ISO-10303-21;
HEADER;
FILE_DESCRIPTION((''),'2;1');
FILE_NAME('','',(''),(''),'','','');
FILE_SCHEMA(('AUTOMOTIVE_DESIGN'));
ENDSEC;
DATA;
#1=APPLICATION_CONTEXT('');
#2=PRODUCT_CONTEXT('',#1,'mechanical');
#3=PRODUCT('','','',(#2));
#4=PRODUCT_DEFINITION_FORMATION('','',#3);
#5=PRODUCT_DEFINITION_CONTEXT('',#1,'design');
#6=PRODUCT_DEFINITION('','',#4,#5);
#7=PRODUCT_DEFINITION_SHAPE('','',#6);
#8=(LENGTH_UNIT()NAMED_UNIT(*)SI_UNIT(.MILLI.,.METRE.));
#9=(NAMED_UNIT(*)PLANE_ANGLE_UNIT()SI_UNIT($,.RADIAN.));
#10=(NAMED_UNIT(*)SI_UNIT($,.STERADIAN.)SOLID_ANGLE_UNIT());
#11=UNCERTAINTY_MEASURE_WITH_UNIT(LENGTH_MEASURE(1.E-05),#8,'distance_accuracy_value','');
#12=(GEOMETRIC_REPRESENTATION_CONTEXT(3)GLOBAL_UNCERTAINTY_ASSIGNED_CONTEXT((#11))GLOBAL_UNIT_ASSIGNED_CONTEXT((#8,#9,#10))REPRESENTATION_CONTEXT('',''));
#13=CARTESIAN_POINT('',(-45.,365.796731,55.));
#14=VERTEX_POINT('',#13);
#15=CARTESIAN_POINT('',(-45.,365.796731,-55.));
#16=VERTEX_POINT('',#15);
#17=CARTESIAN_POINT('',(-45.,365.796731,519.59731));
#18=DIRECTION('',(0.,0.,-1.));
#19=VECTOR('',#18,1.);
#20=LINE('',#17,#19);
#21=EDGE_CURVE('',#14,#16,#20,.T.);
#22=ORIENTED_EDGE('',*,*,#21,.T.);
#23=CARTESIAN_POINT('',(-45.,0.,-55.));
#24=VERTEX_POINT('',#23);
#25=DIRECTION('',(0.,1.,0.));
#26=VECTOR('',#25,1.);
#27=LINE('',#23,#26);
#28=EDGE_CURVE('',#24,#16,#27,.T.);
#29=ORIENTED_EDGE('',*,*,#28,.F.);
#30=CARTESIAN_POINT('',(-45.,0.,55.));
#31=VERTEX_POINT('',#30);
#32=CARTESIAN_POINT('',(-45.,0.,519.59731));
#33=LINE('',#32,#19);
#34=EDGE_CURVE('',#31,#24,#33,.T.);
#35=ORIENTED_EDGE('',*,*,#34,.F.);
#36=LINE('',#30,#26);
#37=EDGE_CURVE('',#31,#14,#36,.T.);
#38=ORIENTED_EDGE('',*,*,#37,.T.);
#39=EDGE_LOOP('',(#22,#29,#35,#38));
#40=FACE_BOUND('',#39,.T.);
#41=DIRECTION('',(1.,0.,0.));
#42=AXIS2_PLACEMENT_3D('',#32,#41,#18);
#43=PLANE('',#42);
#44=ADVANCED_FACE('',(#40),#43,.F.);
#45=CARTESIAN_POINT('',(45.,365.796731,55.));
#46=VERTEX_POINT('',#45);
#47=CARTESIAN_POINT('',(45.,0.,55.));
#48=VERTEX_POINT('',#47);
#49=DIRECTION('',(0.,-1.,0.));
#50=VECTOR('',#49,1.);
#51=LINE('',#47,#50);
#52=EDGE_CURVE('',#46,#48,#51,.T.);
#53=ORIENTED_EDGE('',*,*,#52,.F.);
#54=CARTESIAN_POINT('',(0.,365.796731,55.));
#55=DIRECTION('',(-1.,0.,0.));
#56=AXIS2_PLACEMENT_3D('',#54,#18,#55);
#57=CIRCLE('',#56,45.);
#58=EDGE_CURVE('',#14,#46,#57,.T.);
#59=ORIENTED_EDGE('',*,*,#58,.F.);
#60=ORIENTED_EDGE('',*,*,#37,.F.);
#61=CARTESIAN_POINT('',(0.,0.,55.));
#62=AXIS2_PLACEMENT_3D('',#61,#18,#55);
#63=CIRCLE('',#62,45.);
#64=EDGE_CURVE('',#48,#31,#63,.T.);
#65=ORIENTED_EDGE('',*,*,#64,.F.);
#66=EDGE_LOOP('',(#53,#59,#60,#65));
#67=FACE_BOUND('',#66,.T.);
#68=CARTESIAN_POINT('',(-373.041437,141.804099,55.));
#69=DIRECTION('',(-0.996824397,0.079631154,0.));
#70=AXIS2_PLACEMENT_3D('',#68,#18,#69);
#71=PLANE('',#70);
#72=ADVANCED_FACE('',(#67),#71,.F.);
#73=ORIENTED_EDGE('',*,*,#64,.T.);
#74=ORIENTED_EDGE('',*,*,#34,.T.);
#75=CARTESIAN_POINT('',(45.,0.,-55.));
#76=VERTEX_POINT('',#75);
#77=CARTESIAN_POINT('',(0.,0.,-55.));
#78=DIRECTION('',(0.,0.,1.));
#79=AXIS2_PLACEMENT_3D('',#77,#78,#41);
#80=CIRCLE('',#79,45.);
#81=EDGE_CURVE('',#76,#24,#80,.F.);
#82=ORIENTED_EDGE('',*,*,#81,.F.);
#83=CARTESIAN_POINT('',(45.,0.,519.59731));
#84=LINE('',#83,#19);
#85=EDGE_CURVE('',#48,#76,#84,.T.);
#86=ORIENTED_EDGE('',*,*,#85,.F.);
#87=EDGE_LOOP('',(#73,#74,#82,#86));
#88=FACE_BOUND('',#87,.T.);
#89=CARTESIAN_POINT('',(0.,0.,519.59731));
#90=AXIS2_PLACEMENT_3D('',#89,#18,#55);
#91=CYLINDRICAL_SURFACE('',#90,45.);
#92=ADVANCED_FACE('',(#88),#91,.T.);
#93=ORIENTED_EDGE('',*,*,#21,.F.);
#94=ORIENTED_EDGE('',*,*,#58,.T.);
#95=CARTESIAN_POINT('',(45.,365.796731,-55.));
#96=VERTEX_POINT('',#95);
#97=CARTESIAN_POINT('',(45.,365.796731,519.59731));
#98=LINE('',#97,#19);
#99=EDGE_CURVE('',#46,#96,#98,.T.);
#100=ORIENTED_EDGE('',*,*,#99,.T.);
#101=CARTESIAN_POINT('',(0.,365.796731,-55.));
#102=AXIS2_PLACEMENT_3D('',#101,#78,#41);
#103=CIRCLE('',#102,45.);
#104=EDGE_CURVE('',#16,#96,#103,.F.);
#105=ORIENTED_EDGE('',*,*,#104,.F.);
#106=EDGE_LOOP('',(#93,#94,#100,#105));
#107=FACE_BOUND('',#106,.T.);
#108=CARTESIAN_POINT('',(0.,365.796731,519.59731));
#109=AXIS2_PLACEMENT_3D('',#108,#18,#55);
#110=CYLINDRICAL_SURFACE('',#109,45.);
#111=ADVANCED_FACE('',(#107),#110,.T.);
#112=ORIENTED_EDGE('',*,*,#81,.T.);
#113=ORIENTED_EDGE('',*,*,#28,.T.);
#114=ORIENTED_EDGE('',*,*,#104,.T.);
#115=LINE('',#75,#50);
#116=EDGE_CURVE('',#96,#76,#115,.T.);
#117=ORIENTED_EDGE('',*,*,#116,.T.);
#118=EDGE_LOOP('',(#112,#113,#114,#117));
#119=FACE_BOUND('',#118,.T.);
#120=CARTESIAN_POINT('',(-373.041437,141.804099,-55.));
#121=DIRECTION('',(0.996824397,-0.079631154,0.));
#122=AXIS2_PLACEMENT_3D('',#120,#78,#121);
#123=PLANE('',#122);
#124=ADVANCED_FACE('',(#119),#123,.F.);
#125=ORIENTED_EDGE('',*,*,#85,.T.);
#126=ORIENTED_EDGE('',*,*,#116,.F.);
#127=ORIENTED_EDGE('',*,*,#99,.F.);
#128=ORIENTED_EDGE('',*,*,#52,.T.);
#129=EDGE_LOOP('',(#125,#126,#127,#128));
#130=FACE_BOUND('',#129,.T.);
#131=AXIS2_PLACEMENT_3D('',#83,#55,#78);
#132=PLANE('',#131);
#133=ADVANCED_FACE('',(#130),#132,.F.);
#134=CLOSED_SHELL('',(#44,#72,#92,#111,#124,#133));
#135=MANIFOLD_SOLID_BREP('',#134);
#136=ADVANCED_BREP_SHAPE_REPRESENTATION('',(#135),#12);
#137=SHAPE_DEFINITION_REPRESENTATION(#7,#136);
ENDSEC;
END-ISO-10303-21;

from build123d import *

# Parameters (mm, degrees)
STEM_BLOCK_EXTRUDE_DEPTH      = 55
STEM_BLOCK_EXTRUDE_DEPTH_BACK = 55


with BuildPart() as part:
    # Stem Block Sketch → Stem Block Extrude (new, two sides: drawn at the far end of the back side and taken through both)
    with BuildSketch(Plane.XY.offset(-STEM_BLOCK_EXTRUDE_DEPTH_BACK)):
        with BuildLine():
            Line((-45, 0), (-45, 365.796731079))
            ThreePointArc((-45, 365.796731079), (0, 410.796731079), (45, 365.796731079))
            Line((45, 365.796731079), (45, 0))
            ThreePointArc((45, 0), (0, -45), (-45, 0))
        make_face()
    extrude(amount=STEM_BLOCK_EXTRUDE_DEPTH + STEM_BLOCK_EXTRUDE_DEPTH_BACK)


solid = part.part
